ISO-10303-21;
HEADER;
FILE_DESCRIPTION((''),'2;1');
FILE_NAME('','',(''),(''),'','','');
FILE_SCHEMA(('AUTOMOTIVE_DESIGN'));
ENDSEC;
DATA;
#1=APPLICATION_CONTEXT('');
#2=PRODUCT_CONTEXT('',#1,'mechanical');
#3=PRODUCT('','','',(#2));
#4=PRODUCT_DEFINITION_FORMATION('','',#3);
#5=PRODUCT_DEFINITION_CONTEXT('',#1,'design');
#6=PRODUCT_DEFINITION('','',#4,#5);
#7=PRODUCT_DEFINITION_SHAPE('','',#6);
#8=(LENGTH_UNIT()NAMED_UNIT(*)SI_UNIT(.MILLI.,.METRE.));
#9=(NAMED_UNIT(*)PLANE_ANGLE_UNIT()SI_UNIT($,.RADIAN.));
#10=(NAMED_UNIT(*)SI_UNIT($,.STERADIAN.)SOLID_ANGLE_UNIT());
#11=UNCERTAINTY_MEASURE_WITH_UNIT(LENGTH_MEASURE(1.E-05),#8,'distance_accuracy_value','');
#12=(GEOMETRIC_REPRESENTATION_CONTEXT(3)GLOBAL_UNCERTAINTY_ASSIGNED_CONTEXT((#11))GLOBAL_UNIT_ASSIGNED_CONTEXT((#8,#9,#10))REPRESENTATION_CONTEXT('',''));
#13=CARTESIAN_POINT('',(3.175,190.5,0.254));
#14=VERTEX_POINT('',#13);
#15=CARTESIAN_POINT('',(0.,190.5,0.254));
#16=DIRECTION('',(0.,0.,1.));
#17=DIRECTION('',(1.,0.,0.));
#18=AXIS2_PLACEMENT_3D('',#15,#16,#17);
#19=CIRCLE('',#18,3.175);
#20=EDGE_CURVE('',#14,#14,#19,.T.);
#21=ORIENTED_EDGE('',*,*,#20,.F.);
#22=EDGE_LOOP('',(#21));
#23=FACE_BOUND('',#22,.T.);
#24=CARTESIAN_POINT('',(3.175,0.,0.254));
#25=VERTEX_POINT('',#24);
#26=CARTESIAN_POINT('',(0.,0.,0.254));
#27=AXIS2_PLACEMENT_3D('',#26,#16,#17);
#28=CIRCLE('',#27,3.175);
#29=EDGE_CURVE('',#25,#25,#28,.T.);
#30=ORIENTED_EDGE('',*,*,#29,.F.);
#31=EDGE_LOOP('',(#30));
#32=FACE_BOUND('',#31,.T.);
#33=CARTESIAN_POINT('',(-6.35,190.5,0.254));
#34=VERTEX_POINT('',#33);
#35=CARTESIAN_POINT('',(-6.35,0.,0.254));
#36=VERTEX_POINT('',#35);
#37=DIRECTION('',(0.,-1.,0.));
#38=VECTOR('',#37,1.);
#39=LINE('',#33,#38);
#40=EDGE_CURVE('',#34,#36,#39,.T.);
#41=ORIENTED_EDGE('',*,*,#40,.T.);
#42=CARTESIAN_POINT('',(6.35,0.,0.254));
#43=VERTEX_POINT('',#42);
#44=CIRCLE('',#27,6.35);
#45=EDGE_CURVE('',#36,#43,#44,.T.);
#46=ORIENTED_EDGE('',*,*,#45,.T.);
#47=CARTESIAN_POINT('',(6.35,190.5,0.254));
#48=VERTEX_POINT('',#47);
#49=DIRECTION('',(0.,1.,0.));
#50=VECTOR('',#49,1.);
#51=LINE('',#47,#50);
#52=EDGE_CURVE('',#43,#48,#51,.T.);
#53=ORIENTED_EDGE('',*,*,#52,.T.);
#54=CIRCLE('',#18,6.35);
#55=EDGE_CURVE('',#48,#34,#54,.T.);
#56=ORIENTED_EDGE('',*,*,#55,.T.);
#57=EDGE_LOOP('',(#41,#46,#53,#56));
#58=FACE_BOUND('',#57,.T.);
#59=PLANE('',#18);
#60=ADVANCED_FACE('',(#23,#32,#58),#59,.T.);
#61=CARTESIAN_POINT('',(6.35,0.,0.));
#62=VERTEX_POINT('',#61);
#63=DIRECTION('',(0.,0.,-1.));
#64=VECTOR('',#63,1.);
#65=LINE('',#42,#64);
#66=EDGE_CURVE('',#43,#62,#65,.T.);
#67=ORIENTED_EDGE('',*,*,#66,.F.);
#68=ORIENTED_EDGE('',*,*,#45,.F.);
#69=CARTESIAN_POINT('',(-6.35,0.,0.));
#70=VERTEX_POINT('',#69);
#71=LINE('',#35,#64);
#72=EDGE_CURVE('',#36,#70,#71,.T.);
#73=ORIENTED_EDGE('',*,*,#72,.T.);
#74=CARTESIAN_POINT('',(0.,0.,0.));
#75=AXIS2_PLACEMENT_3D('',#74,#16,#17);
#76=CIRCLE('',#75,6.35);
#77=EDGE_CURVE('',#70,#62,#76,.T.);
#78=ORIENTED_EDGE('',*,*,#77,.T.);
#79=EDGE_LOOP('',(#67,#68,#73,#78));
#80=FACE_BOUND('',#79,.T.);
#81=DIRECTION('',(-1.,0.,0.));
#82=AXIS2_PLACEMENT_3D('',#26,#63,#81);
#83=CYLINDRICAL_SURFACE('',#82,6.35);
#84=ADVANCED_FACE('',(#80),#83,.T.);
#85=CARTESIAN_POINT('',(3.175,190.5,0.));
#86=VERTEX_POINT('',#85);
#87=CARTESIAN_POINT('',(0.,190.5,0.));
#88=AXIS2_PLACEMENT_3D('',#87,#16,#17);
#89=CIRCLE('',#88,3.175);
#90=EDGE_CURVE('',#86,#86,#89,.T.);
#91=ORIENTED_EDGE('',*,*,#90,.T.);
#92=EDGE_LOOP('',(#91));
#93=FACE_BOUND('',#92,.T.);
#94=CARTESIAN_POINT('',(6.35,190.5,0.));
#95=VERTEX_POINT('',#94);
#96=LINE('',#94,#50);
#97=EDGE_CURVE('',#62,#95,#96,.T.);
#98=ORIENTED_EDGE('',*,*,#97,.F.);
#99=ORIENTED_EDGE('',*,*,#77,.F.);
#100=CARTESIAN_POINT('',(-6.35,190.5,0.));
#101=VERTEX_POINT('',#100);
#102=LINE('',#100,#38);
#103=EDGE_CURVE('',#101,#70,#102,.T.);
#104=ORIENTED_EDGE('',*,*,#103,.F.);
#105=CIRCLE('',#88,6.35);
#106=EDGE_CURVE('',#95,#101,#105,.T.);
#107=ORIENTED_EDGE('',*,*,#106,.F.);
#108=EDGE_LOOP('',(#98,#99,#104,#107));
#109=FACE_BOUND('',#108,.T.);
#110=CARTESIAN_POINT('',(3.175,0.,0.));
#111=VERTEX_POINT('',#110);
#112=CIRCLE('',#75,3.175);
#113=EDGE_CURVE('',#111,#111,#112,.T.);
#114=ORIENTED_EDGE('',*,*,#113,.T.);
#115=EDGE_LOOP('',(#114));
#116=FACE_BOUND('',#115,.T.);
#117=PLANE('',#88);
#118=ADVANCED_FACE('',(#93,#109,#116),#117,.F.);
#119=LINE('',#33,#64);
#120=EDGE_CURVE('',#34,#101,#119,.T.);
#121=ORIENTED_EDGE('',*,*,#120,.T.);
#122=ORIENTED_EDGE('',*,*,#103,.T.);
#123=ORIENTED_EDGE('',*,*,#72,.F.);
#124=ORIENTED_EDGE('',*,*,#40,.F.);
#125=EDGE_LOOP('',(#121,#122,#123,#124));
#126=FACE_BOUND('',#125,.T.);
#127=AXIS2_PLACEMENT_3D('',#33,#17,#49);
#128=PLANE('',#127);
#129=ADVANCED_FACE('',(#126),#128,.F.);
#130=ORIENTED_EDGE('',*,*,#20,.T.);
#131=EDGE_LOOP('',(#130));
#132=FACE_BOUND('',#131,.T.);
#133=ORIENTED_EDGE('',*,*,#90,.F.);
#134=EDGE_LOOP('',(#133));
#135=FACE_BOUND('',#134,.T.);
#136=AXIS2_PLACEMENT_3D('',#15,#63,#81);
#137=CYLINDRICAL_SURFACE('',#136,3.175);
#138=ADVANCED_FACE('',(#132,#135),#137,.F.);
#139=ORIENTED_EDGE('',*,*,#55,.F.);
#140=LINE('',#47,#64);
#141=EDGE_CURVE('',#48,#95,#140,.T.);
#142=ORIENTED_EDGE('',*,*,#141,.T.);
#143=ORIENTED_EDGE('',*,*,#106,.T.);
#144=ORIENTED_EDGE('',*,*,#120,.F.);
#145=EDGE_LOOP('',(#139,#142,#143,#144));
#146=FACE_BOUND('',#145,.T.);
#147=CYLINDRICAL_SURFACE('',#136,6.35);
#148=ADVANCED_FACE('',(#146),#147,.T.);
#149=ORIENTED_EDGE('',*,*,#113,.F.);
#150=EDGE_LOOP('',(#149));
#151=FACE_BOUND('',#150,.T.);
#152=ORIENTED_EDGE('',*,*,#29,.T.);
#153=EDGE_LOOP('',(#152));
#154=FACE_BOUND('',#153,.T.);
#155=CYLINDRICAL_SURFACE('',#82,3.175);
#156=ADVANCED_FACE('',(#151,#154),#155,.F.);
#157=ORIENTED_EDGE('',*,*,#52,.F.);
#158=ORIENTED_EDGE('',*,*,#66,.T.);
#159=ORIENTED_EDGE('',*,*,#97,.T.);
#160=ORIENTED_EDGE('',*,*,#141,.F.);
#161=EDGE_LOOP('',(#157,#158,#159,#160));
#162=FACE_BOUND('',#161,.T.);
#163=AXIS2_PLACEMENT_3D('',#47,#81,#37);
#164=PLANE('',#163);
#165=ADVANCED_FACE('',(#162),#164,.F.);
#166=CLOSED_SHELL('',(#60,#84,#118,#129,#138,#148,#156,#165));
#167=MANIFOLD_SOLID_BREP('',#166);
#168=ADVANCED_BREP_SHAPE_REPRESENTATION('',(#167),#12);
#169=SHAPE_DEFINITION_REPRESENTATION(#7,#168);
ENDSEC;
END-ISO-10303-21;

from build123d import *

# Parameters (mm, degrees)
SKETCH2_R           = 3.175
BOSS_EXTRUDE1_DEPTH = 0.254


with BuildPart() as part:
    # Sketch2 → Boss-Extrude1 (new body)
    with BuildSketch(Plane.XY):
        with BuildLine():
            Line((6.35, 190.5), (6.35, 0))
            ThreePointArc((6.35, 0), (0, -6.35), (-6.35, 0))
            Line((-6.35, 0), (-6.35, 190.5))
            ThreePointArc((-6.35, 190.5), (0, 196.85), (6.35, 190.5))
        make_face()
        with Locations((0, 190.5)):
            Circle(SKETCH2_R, mode=Mode.SUBTRACT)
        Circle(SKETCH2_R, mode=Mode.SUBTRACT)
    extrude(amount=BOSS_EXTRUDE1_DEPTH)


solid = part.part
